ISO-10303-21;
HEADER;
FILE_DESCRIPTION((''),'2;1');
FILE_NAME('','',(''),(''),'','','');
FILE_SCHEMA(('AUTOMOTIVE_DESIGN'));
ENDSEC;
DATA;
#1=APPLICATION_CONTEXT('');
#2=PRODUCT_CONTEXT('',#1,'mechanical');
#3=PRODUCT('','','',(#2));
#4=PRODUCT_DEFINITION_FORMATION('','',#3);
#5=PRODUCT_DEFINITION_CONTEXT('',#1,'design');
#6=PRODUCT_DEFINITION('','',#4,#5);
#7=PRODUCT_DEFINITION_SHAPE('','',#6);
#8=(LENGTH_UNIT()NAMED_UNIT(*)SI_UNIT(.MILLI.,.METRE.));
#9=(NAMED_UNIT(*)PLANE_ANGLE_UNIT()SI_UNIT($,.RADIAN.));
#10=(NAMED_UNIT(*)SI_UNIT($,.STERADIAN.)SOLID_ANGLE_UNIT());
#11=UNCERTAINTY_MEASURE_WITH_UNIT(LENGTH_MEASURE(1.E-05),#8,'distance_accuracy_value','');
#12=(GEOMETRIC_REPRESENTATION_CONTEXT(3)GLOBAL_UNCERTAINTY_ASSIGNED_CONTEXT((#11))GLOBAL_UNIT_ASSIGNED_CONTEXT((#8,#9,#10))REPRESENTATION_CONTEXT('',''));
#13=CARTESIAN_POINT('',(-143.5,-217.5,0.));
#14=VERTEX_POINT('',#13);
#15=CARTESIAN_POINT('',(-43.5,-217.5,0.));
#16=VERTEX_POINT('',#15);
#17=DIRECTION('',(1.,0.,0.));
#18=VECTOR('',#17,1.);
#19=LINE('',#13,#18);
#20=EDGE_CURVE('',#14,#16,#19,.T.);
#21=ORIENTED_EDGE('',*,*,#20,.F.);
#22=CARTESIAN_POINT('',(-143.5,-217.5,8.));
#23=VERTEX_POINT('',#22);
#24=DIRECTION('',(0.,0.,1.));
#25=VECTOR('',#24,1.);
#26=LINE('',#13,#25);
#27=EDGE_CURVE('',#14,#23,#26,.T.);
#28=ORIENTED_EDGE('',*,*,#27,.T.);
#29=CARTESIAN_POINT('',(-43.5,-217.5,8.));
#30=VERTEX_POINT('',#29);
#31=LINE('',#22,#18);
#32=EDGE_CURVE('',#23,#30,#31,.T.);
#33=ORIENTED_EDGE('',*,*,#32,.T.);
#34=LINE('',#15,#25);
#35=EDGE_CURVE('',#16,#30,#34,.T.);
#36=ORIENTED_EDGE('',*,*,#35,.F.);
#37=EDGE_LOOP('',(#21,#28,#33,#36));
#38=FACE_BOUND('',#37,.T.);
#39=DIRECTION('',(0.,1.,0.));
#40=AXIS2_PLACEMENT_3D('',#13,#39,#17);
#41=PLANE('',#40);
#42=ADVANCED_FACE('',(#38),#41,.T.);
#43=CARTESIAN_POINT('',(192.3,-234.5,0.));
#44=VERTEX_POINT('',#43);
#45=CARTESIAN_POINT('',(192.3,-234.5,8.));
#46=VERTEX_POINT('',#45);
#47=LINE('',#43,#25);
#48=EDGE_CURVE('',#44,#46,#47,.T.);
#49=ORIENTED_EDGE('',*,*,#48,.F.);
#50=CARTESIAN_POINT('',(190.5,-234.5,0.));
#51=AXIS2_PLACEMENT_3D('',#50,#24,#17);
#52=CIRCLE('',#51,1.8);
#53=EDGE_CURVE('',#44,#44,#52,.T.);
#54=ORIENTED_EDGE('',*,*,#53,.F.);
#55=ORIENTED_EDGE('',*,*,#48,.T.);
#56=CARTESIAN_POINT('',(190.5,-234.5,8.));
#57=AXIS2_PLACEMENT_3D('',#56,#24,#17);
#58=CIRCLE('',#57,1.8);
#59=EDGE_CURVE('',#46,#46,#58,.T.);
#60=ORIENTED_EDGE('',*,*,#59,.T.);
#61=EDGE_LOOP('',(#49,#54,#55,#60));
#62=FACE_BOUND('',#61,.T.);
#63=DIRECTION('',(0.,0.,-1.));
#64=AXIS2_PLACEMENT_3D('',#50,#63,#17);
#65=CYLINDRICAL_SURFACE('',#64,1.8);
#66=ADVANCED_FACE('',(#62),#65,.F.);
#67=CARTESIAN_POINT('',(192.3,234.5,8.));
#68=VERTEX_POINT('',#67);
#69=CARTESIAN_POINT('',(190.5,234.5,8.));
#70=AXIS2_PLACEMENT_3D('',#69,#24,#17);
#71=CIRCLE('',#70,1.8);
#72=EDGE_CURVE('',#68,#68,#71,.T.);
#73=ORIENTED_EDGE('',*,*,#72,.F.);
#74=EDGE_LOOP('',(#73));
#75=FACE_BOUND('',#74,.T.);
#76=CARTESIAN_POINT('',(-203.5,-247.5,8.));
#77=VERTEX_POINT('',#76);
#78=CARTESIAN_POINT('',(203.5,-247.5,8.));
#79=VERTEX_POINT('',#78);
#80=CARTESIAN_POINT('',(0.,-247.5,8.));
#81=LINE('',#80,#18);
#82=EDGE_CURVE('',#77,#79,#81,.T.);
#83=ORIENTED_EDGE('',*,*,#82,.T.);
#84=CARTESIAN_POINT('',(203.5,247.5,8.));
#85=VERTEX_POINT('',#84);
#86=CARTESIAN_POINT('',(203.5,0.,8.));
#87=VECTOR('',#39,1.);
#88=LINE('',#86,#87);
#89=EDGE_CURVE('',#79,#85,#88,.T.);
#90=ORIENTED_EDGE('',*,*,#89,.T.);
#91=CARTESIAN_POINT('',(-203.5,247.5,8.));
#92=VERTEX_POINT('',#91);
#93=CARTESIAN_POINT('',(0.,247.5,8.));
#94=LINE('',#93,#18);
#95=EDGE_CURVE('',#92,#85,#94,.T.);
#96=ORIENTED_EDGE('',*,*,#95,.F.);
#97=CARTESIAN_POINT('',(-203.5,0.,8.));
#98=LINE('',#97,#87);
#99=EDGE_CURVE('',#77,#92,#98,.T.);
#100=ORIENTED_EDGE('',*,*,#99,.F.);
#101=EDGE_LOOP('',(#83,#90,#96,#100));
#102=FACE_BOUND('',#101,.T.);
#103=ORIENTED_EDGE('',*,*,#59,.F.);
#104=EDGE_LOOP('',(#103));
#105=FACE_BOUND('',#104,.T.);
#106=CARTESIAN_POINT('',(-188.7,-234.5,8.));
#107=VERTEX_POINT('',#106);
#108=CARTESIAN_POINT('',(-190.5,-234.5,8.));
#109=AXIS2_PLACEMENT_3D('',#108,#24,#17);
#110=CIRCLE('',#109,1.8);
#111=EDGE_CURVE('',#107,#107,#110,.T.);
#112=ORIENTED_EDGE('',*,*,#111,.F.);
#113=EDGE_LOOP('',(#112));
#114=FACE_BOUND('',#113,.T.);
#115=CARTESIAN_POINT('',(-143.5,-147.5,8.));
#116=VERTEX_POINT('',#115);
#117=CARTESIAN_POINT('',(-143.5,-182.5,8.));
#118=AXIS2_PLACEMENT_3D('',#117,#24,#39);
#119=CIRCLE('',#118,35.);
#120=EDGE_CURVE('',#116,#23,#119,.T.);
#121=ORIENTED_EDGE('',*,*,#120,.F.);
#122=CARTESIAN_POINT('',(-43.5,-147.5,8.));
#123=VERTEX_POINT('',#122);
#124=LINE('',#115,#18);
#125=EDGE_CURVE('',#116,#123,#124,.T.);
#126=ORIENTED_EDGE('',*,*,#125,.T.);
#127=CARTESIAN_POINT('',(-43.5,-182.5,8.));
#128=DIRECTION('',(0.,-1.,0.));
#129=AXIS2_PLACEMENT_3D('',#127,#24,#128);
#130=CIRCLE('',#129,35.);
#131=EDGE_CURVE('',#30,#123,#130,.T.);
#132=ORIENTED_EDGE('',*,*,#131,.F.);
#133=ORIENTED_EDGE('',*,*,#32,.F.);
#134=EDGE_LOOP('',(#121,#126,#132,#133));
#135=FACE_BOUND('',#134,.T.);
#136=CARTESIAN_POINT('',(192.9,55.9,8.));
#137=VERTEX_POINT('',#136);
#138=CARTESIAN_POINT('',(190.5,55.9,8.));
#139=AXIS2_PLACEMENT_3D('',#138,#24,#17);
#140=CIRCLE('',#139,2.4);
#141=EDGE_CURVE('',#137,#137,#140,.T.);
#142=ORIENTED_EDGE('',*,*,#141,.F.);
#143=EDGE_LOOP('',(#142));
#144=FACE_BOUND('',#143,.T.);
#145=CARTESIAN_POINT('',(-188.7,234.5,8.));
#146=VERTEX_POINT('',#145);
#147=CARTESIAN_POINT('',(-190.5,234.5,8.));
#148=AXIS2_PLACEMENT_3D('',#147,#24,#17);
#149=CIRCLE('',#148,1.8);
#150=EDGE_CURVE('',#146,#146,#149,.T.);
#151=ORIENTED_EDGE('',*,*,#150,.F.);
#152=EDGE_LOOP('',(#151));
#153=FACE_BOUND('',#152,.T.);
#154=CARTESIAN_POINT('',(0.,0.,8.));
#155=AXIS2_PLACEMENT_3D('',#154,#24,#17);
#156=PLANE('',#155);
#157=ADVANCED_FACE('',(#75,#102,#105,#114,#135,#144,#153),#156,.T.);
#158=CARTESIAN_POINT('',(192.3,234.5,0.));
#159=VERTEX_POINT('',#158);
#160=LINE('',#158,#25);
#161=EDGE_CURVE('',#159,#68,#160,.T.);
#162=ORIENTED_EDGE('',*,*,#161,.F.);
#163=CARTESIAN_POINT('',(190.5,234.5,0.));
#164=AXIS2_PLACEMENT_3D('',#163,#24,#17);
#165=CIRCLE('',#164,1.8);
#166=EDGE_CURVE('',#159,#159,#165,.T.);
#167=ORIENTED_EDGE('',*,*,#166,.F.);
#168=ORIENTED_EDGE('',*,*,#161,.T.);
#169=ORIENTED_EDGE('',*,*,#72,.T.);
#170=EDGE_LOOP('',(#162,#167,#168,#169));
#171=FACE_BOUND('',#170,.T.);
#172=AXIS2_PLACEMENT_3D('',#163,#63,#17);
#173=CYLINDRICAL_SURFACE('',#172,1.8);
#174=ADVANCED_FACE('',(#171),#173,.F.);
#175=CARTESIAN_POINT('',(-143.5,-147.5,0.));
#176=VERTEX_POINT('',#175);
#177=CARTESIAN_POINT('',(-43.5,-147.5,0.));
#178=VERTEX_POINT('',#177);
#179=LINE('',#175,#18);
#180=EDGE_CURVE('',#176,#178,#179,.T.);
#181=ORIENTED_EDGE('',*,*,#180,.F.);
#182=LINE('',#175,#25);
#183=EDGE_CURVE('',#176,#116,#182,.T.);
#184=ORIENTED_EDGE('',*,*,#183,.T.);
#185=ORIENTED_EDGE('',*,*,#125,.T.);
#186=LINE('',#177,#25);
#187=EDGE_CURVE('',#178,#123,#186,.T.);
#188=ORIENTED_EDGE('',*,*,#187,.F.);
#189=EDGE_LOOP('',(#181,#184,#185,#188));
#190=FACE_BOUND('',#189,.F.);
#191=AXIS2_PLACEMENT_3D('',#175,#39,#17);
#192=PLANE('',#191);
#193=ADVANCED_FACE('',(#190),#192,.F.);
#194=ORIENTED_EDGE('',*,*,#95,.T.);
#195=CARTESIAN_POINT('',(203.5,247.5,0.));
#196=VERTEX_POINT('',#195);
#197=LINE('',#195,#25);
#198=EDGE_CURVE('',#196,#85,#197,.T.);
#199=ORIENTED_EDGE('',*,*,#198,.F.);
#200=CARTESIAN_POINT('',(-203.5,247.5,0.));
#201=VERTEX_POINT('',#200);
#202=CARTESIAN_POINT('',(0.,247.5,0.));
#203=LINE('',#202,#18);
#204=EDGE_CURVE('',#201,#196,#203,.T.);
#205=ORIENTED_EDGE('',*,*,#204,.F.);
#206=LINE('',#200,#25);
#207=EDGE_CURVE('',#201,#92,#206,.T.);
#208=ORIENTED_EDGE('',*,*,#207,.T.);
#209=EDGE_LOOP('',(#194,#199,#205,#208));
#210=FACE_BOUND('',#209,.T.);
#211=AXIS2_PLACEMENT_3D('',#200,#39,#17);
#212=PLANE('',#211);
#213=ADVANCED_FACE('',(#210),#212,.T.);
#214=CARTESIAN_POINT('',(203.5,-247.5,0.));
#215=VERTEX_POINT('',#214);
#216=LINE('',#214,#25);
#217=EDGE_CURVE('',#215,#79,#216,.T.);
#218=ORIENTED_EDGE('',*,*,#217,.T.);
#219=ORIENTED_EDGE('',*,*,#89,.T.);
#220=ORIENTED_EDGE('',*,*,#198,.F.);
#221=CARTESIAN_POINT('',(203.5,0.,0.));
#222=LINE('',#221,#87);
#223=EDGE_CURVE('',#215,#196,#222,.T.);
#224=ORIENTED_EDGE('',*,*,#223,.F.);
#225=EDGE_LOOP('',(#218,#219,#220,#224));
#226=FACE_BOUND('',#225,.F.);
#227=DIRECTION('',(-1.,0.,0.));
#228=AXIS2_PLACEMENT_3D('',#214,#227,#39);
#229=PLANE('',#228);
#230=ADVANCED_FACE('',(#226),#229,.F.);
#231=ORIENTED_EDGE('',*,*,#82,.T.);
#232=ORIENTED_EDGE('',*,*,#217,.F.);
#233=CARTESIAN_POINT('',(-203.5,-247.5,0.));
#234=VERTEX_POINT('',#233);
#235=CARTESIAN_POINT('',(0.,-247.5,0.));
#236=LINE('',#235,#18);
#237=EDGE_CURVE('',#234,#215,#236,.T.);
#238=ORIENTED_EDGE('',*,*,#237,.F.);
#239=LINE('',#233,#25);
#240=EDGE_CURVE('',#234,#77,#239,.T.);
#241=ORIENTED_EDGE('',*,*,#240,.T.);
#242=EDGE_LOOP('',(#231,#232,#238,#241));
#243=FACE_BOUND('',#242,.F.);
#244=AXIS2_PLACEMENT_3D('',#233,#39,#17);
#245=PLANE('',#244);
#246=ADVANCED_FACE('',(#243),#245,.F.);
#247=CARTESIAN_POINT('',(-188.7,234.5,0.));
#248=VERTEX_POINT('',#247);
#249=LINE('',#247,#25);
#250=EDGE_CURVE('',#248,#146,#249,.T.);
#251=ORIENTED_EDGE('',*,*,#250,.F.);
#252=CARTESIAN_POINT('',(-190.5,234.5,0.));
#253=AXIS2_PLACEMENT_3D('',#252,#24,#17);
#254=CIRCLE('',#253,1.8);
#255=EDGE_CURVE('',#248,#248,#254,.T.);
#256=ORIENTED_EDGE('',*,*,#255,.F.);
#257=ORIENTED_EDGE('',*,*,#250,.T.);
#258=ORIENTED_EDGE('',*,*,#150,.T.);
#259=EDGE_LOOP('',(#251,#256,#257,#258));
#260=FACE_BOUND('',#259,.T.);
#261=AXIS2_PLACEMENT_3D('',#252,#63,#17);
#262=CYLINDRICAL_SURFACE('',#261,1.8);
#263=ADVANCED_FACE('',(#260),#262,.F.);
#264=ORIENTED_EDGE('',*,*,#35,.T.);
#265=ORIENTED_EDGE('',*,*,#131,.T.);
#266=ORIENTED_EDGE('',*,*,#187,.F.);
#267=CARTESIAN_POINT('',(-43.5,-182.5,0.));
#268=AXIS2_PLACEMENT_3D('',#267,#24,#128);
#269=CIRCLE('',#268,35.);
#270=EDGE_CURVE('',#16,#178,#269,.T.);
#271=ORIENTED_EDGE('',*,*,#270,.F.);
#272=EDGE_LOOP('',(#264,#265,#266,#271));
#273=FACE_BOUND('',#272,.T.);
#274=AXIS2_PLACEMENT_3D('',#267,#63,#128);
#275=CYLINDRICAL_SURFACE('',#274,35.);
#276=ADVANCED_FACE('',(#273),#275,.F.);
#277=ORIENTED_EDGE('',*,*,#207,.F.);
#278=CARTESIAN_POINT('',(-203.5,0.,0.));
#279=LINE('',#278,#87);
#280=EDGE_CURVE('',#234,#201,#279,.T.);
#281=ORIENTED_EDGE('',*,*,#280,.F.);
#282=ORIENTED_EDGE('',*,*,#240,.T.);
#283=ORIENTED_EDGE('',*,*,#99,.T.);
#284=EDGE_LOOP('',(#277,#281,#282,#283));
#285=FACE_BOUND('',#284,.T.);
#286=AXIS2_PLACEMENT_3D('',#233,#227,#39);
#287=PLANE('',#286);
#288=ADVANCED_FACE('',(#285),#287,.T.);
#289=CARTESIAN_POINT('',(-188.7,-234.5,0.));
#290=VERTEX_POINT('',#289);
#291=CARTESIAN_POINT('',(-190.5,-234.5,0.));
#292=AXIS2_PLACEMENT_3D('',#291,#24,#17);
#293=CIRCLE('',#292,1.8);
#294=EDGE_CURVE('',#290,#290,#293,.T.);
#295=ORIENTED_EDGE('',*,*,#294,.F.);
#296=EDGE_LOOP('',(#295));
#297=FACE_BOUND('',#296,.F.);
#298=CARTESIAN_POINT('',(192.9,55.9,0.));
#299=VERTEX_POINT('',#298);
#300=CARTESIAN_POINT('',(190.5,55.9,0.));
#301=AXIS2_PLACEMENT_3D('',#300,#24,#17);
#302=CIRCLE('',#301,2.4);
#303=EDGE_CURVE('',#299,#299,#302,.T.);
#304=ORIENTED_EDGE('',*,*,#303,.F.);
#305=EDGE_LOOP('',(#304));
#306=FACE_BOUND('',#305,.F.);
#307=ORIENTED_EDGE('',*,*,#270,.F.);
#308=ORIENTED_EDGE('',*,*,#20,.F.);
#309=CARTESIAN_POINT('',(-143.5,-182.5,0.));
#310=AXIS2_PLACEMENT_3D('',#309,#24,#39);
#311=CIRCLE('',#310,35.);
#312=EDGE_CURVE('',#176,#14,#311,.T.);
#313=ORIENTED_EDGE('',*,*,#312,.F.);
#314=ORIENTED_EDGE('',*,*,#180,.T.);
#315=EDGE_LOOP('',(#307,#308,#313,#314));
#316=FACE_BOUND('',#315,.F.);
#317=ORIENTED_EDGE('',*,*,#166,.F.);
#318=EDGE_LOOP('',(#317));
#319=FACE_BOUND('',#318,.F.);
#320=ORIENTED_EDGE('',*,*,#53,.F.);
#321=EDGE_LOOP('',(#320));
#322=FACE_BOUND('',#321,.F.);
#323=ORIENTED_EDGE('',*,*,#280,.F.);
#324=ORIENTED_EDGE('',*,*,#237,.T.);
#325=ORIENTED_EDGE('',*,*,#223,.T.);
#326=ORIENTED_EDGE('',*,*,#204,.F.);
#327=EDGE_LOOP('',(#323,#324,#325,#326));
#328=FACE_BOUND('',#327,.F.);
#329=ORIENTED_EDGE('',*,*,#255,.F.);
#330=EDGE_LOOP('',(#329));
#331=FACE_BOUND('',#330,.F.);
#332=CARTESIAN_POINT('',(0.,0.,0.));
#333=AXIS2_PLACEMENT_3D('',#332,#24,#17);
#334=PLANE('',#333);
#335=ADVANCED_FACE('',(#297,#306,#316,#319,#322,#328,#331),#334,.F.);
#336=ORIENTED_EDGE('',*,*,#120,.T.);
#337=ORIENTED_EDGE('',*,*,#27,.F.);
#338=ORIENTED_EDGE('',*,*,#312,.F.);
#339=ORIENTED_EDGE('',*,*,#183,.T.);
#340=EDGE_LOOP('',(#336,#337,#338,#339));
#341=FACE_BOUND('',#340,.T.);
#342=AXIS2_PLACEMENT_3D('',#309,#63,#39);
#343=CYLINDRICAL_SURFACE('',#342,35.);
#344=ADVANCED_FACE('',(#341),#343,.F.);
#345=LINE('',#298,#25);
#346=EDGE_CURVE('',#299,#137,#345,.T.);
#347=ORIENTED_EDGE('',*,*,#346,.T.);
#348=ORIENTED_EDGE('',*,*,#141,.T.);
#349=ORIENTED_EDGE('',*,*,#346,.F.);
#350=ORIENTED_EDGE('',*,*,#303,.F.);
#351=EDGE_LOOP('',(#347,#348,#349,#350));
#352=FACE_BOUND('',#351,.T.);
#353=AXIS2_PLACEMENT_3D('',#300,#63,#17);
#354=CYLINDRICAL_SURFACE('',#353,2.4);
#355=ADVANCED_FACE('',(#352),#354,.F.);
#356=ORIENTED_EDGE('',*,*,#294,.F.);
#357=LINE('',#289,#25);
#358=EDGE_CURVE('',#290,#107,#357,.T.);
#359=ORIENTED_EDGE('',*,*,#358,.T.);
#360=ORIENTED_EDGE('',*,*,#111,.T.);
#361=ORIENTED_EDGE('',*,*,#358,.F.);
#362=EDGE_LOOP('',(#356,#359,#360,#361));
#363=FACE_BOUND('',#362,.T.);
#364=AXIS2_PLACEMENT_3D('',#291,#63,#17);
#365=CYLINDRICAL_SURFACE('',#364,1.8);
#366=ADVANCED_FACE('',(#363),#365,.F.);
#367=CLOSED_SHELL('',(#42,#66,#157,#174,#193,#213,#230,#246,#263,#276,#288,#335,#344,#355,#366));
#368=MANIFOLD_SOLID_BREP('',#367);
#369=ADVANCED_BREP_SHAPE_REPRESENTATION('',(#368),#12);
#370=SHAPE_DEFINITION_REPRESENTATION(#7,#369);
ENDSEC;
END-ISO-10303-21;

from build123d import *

# Parameters (mm, degrees)
SKETCH_W   = 407
SKETCH_H   = 495
SKETCH_R   = 1.8
SKETCH_R_2 = 2.4
PAD_DEPTH  = 8


with BuildPart() as part:
    # Sketch → Pad (new body)
    with BuildSketch(Plane.XY):
        Rectangle(SKETCH_W, SKETCH_H)
        with Locations((-190.5, 234.5)):
            Circle(SKETCH_R, mode=Mode.SUBTRACT)
        with Locations((190.5, 234.5)):
            Circle(SKETCH_R, mode=Mode.SUBTRACT)
        with Locations((-190.5, -234.5)):
            Circle(SKETCH_R, mode=Mode.SUBTRACT)
        with Locations((190.5, -234.5)):
            Circle(SKETCH_R, mode=Mode.SUBTRACT)
        with Locations((190.5, 55.9)):
            Circle(SKETCH_R_2, mode=Mode.SUBTRACT)
        with BuildLine():
            ThreePointArc((-143.5, -147.5), (-178.5, -182.5), (-143.5, -217.5))
            Line((-143.5, -217.5), (-43.5, -217.5))
            ThreePointArc((-43.5, -217.5), (-8.5, -182.5), (-43.5, -147.5))
            Line((-143.5, -147.5), (-43.5, -147.5))
        make_face(mode=Mode.SUBTRACT)
    extrude(amount=PAD_DEPTH)


solid = part.part
